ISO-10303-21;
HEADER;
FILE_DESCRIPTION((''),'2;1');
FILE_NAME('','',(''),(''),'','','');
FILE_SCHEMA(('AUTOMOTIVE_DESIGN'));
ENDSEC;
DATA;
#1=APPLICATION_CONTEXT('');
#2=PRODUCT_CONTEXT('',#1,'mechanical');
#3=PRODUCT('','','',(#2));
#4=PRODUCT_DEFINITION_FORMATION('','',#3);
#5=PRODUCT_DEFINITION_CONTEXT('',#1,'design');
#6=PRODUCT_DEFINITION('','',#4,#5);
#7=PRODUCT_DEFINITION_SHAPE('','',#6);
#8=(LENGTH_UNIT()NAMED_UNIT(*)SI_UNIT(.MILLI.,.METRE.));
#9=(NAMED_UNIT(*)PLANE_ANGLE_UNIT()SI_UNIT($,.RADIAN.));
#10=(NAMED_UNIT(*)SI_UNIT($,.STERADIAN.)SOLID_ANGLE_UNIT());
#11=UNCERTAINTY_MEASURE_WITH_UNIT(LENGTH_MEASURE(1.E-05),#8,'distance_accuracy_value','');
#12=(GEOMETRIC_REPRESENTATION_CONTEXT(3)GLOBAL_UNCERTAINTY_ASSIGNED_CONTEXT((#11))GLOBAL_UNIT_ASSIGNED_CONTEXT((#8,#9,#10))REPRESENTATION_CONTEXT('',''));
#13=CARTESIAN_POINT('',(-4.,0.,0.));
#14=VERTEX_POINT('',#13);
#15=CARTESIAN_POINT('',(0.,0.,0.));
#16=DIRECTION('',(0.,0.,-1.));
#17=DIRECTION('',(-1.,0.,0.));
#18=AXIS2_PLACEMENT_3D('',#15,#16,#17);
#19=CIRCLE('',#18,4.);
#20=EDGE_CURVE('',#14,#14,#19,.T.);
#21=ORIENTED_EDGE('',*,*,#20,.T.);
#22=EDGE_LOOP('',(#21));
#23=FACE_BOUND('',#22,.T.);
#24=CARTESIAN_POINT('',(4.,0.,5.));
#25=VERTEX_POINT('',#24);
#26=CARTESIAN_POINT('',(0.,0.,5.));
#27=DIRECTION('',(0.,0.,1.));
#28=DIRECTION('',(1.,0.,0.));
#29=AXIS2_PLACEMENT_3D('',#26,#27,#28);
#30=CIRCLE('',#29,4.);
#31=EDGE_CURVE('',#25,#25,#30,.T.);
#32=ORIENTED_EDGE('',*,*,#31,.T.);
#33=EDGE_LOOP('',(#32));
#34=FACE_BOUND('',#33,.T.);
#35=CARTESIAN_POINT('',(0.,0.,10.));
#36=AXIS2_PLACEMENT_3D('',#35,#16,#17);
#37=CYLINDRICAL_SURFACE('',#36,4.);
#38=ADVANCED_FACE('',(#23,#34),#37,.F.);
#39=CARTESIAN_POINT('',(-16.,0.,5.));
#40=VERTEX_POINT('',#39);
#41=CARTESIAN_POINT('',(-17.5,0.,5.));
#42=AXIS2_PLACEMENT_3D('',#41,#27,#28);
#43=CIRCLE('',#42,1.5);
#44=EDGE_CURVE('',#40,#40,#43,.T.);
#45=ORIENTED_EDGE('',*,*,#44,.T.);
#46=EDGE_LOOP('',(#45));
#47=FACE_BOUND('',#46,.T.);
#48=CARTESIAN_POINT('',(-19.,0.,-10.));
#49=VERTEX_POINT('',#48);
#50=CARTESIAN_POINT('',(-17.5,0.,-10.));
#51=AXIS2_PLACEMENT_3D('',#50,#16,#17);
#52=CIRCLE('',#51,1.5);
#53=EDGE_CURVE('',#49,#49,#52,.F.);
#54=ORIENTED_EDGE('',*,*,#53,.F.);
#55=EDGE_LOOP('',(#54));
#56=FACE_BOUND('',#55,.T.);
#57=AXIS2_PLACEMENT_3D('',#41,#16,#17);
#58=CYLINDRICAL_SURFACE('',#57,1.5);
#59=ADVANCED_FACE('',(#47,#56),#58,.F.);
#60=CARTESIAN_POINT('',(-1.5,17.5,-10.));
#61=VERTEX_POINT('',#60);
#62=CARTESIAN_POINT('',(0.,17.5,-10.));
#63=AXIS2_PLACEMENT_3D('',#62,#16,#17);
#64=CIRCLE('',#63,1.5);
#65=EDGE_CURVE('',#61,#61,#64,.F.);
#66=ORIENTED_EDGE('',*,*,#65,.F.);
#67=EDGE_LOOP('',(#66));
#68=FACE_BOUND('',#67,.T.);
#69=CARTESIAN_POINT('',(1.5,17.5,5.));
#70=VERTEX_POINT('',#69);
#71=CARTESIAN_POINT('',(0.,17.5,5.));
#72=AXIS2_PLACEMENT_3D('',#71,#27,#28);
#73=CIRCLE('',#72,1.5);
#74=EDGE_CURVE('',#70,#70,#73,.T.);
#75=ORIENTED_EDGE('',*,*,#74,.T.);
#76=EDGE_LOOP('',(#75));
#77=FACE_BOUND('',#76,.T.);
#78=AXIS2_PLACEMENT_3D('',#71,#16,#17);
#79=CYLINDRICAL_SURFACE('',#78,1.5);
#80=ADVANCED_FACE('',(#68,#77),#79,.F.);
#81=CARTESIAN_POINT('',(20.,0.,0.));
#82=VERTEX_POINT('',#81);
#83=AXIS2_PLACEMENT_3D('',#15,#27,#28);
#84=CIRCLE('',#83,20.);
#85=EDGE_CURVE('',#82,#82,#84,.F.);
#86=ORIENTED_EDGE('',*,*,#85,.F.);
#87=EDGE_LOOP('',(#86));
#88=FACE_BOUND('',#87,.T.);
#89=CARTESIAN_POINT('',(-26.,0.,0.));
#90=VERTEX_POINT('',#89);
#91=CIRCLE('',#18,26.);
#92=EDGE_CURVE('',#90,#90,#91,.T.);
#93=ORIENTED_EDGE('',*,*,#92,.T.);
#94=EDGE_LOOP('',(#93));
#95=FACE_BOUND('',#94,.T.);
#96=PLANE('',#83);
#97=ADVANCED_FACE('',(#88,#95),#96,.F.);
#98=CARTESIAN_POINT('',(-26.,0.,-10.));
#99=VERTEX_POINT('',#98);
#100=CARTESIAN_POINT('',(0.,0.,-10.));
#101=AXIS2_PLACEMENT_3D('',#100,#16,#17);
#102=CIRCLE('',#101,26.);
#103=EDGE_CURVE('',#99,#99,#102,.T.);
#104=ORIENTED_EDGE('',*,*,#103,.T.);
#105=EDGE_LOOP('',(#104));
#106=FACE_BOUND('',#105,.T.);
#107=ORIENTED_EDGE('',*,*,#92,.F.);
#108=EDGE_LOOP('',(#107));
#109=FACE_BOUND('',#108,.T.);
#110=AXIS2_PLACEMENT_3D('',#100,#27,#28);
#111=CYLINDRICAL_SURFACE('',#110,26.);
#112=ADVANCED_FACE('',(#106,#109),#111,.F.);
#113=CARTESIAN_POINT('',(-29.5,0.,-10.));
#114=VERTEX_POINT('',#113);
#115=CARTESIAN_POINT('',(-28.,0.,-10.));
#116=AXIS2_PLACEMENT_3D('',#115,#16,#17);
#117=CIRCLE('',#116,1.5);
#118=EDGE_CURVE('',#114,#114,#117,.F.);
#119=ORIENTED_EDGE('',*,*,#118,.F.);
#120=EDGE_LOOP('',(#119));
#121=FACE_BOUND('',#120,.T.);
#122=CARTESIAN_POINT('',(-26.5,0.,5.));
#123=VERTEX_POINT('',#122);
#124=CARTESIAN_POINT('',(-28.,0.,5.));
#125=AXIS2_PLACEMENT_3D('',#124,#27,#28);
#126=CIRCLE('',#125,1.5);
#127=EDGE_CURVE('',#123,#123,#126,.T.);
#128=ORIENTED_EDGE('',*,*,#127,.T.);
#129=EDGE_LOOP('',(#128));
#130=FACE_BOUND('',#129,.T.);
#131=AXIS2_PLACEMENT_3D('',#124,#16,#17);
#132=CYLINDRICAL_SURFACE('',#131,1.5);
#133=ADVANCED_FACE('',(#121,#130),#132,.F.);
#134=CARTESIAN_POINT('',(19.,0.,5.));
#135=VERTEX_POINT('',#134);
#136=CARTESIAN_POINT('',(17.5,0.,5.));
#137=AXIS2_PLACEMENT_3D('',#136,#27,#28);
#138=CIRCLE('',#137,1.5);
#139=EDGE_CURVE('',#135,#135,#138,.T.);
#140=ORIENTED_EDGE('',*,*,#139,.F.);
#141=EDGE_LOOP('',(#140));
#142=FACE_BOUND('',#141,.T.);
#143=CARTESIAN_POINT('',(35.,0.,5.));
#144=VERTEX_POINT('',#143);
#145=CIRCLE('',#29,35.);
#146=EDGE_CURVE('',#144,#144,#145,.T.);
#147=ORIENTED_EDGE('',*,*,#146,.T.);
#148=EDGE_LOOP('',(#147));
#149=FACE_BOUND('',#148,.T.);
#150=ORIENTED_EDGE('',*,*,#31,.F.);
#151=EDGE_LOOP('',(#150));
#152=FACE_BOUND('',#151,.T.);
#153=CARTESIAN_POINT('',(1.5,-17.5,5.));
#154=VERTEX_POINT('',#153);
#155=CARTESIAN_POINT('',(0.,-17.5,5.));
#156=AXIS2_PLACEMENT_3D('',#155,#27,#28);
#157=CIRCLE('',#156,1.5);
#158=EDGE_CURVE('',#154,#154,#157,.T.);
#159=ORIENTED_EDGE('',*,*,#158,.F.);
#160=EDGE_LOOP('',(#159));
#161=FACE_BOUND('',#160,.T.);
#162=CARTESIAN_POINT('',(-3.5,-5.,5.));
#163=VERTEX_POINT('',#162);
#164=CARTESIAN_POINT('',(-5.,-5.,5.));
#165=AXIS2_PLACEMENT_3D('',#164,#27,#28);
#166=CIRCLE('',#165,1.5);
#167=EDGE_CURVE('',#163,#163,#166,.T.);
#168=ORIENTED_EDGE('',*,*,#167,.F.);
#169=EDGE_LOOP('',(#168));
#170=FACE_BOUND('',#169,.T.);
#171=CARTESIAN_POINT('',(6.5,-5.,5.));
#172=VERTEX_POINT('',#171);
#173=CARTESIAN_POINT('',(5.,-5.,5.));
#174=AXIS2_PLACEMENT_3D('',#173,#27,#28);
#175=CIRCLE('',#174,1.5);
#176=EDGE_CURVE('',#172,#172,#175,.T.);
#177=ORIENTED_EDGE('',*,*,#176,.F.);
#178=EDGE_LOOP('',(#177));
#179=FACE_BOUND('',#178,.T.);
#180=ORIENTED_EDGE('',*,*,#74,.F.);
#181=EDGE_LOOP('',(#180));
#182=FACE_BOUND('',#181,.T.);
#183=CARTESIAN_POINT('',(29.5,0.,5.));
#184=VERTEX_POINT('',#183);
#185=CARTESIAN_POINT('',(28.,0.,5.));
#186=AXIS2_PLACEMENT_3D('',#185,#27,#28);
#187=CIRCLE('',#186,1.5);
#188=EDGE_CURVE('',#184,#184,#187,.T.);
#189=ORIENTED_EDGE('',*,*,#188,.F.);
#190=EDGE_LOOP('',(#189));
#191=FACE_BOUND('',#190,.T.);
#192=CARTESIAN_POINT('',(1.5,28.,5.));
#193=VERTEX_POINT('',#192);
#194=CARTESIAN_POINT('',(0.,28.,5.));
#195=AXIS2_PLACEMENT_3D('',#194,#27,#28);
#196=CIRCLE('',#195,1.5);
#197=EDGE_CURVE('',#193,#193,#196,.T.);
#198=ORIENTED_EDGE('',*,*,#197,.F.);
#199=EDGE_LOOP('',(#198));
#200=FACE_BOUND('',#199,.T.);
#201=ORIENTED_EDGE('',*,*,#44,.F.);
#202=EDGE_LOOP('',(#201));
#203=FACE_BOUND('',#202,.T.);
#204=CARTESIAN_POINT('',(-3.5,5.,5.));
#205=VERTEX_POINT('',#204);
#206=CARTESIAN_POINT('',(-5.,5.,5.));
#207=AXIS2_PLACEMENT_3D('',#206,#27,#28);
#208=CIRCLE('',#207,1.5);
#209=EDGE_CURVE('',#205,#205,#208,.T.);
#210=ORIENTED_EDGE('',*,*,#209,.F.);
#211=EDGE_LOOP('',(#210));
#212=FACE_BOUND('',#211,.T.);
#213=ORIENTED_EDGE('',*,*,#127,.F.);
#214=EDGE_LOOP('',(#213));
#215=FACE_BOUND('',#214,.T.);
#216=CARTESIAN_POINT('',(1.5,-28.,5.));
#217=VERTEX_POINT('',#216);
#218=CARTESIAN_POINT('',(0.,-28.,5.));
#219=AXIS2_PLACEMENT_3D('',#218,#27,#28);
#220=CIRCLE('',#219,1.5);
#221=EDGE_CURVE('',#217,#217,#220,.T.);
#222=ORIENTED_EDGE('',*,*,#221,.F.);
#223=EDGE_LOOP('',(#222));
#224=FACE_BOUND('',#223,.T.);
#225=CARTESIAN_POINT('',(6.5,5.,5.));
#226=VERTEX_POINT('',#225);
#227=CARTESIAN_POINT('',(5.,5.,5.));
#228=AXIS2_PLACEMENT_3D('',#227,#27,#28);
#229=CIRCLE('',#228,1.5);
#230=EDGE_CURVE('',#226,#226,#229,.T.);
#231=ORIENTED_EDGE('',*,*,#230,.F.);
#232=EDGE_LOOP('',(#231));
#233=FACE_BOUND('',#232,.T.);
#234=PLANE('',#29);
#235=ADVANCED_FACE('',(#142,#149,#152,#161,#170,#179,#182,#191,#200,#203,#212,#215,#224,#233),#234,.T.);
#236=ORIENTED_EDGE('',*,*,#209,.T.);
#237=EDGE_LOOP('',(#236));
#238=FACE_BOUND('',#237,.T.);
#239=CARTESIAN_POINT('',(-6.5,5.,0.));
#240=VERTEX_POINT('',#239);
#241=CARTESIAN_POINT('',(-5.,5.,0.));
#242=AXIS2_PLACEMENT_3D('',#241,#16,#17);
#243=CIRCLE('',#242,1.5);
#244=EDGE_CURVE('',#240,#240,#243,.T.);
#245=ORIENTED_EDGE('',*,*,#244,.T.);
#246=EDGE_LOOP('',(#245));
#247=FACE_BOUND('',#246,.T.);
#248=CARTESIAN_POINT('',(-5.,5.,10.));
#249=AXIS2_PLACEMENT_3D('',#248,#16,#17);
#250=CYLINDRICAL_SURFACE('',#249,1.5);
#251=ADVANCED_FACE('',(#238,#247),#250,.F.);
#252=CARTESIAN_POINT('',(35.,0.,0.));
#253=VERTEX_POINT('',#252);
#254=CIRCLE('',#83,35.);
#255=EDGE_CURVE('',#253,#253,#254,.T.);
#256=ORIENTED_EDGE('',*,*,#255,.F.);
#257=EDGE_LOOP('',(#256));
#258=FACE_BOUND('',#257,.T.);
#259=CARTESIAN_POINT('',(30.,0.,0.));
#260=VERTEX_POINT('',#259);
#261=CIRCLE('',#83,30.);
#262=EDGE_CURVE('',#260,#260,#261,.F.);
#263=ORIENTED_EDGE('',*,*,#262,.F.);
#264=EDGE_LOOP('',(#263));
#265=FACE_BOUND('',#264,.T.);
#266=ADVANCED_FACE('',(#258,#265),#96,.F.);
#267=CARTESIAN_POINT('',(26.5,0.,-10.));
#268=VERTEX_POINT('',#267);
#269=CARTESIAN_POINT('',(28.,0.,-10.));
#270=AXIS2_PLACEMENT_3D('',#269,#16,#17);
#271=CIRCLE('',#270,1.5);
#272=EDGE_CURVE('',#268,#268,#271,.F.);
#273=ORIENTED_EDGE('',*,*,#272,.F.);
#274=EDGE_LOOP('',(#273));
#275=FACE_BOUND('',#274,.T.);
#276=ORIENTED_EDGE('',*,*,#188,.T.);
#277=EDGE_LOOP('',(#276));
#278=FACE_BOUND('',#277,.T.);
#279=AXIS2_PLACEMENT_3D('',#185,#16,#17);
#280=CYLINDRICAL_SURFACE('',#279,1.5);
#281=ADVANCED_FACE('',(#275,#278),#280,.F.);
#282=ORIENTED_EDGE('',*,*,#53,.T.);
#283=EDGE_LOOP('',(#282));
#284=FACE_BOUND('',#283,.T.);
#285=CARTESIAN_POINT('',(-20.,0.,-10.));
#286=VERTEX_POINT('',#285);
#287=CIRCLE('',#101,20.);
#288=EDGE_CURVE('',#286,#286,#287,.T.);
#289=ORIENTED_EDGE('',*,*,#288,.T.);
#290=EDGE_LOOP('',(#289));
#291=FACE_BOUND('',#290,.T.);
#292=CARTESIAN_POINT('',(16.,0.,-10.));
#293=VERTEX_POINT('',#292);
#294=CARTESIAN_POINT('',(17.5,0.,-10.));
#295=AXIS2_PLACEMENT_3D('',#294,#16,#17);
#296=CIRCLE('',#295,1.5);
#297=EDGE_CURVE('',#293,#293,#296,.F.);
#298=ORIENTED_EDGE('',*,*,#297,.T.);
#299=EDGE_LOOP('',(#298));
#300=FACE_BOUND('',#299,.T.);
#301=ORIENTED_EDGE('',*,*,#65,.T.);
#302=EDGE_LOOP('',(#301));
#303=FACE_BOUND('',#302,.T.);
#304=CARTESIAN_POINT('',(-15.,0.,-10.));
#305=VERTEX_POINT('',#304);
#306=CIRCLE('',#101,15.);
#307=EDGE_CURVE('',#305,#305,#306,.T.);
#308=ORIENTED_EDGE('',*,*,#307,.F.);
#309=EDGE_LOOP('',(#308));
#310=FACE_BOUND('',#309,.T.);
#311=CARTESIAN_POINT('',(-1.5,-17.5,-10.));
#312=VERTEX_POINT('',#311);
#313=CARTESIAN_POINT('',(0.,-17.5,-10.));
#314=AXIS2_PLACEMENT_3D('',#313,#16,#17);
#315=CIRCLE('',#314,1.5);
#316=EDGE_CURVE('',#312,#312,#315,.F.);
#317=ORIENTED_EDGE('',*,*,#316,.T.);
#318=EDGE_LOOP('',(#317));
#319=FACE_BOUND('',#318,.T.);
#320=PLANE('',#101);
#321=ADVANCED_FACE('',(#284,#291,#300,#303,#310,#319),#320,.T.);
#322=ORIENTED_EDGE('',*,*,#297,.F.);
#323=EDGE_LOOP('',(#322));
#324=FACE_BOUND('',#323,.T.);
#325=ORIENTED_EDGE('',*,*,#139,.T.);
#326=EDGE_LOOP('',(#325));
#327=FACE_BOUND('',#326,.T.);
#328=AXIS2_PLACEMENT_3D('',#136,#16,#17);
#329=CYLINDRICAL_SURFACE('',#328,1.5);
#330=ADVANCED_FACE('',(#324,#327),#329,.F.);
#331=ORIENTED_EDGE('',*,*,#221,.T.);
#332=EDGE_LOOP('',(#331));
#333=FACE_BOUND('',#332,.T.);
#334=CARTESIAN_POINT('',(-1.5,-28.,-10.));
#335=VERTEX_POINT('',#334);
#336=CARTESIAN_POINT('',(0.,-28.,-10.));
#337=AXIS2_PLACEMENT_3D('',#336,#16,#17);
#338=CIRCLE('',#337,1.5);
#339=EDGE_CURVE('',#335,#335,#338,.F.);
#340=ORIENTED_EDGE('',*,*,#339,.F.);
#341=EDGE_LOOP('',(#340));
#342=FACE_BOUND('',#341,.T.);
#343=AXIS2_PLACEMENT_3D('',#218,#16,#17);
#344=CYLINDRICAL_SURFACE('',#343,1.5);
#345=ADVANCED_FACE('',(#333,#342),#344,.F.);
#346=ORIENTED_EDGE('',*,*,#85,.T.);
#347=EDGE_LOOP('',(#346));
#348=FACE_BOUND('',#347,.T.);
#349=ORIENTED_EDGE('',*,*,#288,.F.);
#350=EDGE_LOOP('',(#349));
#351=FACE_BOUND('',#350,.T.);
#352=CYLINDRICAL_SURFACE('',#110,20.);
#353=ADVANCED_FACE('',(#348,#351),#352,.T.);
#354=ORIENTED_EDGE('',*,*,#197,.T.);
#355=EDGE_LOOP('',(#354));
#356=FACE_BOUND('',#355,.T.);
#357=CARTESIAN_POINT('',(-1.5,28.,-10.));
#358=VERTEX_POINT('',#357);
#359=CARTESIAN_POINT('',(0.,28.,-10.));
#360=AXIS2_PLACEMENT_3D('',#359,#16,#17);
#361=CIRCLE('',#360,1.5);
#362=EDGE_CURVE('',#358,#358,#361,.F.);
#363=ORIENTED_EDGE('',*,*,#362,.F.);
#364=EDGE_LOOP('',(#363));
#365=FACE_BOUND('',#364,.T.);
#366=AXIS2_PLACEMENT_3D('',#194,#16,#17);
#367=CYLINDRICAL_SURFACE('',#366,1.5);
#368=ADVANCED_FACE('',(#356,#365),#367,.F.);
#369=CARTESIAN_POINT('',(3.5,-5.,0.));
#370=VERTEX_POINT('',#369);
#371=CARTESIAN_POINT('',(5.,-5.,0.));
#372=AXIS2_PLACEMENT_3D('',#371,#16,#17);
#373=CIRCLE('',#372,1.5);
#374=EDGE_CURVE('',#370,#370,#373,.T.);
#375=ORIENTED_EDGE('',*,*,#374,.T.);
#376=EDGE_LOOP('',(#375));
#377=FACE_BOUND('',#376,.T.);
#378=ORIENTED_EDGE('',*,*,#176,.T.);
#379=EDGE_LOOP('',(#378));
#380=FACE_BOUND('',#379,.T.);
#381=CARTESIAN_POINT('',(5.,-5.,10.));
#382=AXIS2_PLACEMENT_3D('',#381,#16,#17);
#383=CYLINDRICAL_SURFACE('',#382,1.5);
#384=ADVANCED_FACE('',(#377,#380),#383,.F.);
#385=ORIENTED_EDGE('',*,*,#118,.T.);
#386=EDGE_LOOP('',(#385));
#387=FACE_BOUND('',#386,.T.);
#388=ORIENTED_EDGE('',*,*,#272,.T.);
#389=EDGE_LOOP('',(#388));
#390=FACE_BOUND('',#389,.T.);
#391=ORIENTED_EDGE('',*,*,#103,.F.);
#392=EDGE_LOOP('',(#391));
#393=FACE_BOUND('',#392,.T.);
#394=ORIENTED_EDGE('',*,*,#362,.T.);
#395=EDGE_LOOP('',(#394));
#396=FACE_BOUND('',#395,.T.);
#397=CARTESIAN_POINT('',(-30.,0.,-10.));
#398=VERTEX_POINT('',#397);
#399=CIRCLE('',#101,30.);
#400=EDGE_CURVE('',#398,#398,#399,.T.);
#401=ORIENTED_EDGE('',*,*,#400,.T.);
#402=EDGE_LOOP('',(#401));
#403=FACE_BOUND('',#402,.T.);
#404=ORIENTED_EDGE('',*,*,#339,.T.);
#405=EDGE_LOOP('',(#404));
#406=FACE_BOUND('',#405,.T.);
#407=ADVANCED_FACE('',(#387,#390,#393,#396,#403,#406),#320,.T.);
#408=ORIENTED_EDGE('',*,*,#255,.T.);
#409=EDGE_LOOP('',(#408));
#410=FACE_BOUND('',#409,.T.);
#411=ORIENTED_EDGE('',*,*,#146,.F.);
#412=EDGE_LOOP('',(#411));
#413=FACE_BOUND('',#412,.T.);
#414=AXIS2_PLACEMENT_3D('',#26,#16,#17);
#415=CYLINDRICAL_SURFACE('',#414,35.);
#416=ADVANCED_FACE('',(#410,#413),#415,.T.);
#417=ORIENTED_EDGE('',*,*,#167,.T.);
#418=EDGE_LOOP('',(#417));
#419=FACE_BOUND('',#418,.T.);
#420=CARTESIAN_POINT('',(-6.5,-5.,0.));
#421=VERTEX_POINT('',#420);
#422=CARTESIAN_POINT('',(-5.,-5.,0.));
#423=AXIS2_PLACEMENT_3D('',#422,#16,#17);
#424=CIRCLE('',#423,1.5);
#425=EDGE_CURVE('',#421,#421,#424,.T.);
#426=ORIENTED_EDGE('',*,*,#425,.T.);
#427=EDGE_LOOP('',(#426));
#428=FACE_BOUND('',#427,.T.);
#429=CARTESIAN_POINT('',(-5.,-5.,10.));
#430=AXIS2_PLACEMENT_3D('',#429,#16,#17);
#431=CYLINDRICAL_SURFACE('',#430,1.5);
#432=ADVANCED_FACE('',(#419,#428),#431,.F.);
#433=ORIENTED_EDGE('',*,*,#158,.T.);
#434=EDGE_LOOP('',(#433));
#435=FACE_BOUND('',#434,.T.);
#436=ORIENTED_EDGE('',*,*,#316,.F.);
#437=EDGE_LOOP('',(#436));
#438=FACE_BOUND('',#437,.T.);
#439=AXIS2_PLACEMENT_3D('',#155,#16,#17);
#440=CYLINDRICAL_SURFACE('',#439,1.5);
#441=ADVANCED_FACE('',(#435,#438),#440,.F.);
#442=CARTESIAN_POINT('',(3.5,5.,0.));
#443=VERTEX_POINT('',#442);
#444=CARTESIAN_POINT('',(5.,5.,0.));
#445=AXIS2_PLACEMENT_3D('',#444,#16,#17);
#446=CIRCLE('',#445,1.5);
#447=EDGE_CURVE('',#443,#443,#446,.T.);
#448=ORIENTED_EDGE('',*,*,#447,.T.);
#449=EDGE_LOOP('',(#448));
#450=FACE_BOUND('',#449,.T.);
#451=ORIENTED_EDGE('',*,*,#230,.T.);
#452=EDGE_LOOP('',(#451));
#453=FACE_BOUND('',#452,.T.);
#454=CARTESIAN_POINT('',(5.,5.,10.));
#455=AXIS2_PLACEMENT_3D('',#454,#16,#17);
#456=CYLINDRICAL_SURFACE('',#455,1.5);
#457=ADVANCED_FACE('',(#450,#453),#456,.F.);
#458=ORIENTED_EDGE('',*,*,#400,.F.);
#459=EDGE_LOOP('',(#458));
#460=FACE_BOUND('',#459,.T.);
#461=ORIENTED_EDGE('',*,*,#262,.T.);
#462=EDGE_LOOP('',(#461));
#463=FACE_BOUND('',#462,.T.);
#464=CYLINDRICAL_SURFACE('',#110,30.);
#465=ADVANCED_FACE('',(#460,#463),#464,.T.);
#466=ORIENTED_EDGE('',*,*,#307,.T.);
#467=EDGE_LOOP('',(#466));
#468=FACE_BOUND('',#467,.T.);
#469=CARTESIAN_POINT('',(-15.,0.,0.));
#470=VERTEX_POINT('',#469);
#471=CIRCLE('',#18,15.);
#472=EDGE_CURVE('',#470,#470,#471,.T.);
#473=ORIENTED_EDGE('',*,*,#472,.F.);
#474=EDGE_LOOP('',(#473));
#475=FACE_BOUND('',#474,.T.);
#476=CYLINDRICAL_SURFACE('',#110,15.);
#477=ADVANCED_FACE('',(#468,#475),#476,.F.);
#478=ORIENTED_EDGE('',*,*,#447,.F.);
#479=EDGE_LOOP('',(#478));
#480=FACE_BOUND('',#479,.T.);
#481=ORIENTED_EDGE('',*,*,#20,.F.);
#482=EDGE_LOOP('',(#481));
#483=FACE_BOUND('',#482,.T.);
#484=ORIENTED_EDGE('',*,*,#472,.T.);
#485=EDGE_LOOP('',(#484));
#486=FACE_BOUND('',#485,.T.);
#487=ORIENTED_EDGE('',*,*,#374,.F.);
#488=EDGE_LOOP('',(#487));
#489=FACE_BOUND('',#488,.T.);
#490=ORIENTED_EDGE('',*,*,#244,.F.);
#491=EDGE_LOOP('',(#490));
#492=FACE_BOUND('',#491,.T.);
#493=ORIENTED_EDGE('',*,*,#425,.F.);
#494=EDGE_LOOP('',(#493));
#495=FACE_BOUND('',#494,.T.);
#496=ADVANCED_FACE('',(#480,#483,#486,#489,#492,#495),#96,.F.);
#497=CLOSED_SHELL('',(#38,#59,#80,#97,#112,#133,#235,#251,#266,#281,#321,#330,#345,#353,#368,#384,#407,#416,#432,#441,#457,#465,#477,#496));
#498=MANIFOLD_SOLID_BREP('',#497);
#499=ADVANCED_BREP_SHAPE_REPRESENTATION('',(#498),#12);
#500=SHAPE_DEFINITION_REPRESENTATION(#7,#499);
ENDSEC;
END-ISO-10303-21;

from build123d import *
from build123d.topology import SkipClean

# Parameters (mm, degrees)
SKETCH_1_R          = 35
SKETCH_1_R_2        = 30
SKETCH_1_R_3        = 1.5
SKETCH_1_R_4        = 26
SKETCH_1_R_5        = 20
SKETCH_1_R_6        = 15
SKETCH_1_R_7        = 12.5
EXTRUDE_1_DEPTH     = 5
EXTRUDE_START       = 10
SKETCH_2_R          = 30
SKETCH_2_R_2        = 26
SKETCH_2_R_3        = 1.5
SKETCH_2_R_4        = 20
SKETCH_2_R_5        = 15
EXTRUDE_2_DEPTH     = 10
SKETCH_3_R          = 4
SKETCH_3_R_2        = 1.5
CUT_EXTRUDE_1_DEPTH = 10


with BuildPart() as part:
    # 草图1 → 凸台-拉伸1 (new body)
    # profile 1 of 6: a face of its own
    with BuildSketch(Plane.XY):
        Circle(SKETCH_1_R)
        Circle(SKETCH_1_R_2, mode=Mode.SUBTRACT)
    # profile 2 of 6: a face of its own
    with BuildSketch(Plane.XY):
        Circle(SKETCH_1_R_2)
        with Locations((-28, 0)):
            Circle(SKETCH_1_R_3, mode=Mode.SUBTRACT)
        with Locations((0, -28)):
            Circle(SKETCH_1_R_3, mode=Mode.SUBTRACT)
        with Locations((28, 0)):
            Circle(SKETCH_1_R_3, mode=Mode.SUBTRACT)
        with Locations((0, 28)):
            Circle(SKETCH_1_R_3, mode=Mode.SUBTRACT)
        Circle(SKETCH_1_R_4, mode=Mode.SUBTRACT)
    # profile 3 of 6: a face of its own
    with BuildSketch(Plane.XY):
        Circle(SKETCH_1_R_4)
        Circle(SKETCH_1_R_5, mode=Mode.SUBTRACT)
    # profile 4 of 6: a face of its own
    with BuildSketch(Plane.XY):
        Circle(SKETCH_1_R_5)
        with Locations((-17.5, 0)):
            Circle(SKETCH_1_R_3, mode=Mode.SUBTRACT)
        with Locations((0, -17.5)):
            Circle(SKETCH_1_R_3, mode=Mode.SUBTRACT)
        with Locations((17.5, 0)):
            Circle(SKETCH_1_R_3, mode=Mode.SUBTRACT)
        with Locations((0, 17.5)):
            Circle(SKETCH_1_R_3, mode=Mode.SUBTRACT)
        Circle(SKETCH_1_R_6, mode=Mode.SUBTRACT)
    # profile 5 of 6: a face of its own
    with BuildSketch(Plane.XY):
        Circle(SKETCH_1_R_6)
        Circle(SKETCH_1_R_7, mode=Mode.SUBTRACT)
    # profile 6 of 6: a face of its own
    with BuildSketch(Plane.XY):
        Circle(SKETCH_1_R_7)
    extrude(amount=EXTRUDE_1_DEPTH)

    # 草图2 → 凸台-拉伸2 (add)
    # profile 1 of 2: a face of its own
    with SkipClean():  # the faces are left unmerged after this step: merging them gives an invalid solid
        with BuildSketch(Plane(origin=(0, 0, 0), x_dir=(-1, 0, 0), z_dir=(0, 0, -1)).offset(EXTRUDE_START)):
            with Locations(Location((0, 0, 0), (0, 0, 180))):
                Circle(SKETCH_2_R)
            Circle(SKETCH_2_R_2, mode=Mode.SUBTRACT)
            with Locations((0, -28)):
                Circle(SKETCH_2_R_3, mode=Mode.SUBTRACT)
            with Locations((0, 28)):
                Circle(SKETCH_2_R_3, mode=Mode.SUBTRACT)
            with Locations((-28, 0)):
                Circle(SKETCH_2_R_3, mode=Mode.SUBTRACT)
            with Locations((28, 0)):
                Circle(SKETCH_2_R_3, mode=Mode.SUBTRACT)
        # profile 2 of 2: a face of its own
        with BuildSketch(Plane(origin=(0, 0, 0), x_dir=(-1, 0, 0), z_dir=(0, 0, -1)).offset(EXTRUDE_START)):
            with Locations(Location((0, 0, 0), (0, 0, 180))):
                Circle(SKETCH_2_R_4)
            Circle(SKETCH_2_R_5, mode=Mode.SUBTRACT)
            with Locations((17.5, 0)):
                Circle(SKETCH_2_R_3, mode=Mode.SUBTRACT)
            with Locations((-17.5, 0)):
                Circle(SKETCH_2_R_3, mode=Mode.SUBTRACT)
            with Locations((0, 17.5)):
                Circle(SKETCH_2_R_3, mode=Mode.SUBTRACT)
            with Locations((0, -17.5)):
                Circle(SKETCH_2_R_3, mode=Mode.SUBTRACT)
        extrude(amount=-EXTRUDE_2_DEPTH)

    # 草图3 → 切除-拉伸1 (cut)
    with SkipClean():  # the faces are left unmerged after this step: merging them gives an invalid solid
        with BuildSketch(Plane(origin=(0, 0, 0), x_dir=(-1, 0, 0), z_dir=(0, 0, -1))):
            with BuildLine():
                ThreePointArc((-3.5, 5), (-6.060660172, 6.060660172), (-5, 3.5))
                Line((-5, 3.5), (-5, 5))
                Line((-5, 5), (-3.5, 5))
            make_face()
            with BuildLine():
                Line((-5, 5), (-5, 3.5))
                ThreePointArc((-5, 3.5), (-3.939339828, 3.939339828), (-3.5, 5))
                Line((-3.5, 5), (-5, 5))
            make_face()
            Circle(SKETCH_3_R)
            with Locations((-5, -5)):
                Circle(SKETCH_3_R_2)
            with Locations((5, -5)):
                Circle(SKETCH_3_R_2)
            with Locations((5, 5)):
                Circle(SKETCH_3_R_2)
        extrude(amount=-CUT_EXTRUDE_1_DEPTH, mode=Mode.SUBTRACT)


solid = part.part
